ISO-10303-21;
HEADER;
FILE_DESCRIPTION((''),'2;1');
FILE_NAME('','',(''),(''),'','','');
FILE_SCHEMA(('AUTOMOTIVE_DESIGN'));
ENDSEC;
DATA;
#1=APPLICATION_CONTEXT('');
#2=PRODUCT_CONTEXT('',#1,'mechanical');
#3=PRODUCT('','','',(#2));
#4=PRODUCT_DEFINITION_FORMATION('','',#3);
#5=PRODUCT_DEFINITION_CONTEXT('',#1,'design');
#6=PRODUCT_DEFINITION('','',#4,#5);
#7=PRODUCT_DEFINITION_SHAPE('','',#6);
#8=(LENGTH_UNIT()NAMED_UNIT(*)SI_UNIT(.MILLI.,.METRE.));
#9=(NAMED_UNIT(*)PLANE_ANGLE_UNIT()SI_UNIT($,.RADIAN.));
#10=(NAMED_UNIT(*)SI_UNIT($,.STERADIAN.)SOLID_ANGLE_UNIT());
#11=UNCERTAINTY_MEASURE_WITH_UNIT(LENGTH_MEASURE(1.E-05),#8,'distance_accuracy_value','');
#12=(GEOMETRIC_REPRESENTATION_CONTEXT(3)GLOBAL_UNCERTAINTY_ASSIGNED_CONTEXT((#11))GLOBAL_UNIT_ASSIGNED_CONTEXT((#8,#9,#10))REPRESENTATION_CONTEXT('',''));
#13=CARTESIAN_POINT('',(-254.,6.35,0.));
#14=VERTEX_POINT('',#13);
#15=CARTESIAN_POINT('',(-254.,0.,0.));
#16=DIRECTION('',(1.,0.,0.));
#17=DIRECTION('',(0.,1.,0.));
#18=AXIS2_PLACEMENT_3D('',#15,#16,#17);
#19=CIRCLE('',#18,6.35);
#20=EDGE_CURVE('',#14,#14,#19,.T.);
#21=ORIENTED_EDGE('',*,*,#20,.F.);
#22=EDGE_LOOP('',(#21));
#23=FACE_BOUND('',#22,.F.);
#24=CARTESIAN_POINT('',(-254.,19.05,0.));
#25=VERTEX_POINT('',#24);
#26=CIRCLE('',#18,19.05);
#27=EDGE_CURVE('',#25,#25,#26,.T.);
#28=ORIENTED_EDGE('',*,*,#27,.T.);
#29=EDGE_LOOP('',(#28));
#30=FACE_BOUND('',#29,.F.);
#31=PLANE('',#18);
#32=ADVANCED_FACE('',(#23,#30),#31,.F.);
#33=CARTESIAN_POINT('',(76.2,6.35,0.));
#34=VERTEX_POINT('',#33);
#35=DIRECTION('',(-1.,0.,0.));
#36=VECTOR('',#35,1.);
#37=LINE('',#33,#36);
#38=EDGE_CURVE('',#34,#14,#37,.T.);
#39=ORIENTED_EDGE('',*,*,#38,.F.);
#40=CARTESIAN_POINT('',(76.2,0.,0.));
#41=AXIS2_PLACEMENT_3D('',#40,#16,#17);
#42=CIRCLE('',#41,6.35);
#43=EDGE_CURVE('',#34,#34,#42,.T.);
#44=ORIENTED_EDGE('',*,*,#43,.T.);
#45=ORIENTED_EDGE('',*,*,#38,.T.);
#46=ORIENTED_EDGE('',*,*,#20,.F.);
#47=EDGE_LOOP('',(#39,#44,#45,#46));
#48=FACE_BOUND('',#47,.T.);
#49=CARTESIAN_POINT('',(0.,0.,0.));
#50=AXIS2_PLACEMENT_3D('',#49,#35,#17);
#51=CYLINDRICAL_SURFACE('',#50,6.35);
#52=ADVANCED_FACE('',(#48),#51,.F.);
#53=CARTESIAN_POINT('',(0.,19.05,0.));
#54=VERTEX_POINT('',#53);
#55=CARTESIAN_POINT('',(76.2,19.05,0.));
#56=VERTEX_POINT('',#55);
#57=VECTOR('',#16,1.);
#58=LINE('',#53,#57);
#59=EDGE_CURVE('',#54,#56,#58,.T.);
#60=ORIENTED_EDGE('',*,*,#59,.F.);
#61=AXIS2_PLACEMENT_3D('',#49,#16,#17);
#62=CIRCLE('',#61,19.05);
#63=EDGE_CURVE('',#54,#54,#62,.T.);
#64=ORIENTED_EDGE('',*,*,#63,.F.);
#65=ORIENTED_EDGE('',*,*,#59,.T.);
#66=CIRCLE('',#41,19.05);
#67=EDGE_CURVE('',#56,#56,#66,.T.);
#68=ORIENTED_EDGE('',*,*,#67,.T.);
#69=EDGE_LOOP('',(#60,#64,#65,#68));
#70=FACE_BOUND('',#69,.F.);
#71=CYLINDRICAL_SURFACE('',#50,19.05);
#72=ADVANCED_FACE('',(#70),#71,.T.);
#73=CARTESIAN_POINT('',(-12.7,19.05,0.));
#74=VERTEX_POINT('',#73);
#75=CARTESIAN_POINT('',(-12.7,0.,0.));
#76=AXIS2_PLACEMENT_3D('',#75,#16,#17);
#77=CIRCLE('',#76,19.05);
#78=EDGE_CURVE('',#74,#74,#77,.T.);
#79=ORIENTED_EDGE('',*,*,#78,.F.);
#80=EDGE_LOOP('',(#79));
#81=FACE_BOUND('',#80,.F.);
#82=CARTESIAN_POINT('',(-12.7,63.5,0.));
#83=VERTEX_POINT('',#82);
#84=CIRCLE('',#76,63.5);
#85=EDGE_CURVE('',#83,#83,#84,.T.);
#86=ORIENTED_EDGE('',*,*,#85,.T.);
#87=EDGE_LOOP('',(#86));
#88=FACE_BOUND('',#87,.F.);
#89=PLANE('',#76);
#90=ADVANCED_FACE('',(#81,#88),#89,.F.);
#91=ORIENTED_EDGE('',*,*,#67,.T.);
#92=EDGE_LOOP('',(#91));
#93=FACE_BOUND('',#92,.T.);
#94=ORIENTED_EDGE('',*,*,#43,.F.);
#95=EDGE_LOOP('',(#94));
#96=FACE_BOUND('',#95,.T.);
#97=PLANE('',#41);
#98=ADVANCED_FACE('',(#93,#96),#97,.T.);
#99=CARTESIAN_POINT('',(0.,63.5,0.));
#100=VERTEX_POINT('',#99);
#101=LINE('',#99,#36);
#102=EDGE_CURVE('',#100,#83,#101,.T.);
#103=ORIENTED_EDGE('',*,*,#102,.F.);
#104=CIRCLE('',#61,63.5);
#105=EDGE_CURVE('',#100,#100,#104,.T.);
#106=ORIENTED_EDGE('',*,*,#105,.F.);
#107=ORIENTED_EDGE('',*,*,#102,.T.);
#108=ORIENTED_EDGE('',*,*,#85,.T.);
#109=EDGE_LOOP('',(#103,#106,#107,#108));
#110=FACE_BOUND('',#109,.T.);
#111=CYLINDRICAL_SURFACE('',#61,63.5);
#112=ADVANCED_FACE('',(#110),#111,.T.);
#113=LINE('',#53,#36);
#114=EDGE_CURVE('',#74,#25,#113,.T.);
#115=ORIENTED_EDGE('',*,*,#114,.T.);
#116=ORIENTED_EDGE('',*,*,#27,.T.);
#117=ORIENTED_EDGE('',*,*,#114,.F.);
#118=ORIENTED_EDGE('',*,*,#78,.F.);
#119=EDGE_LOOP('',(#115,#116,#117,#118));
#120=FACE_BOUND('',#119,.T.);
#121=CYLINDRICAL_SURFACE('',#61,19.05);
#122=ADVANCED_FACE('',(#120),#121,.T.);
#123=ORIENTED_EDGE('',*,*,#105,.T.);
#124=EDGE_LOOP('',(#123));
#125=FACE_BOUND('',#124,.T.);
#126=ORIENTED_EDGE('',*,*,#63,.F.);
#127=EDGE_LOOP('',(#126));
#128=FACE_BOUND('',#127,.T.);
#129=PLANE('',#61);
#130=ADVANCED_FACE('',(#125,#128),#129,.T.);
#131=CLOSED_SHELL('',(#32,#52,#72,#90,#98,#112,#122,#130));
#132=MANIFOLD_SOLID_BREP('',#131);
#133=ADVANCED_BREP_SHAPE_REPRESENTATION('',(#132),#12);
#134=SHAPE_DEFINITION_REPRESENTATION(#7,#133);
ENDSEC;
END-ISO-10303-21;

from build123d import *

# Parameters (mm, degrees)
F0_R          = 19.05
F0_R_2        = 6.35
F1_DEPTH      = 254
F1_DEPTH_BACK = 76.2
F0_R_3        = 63.5
F2_DEPTH      = 12.7


with BuildPart() as f1:
    # F0 (on Right) → F1 (new body, two sides)
    with BuildSketch(Plane.YZ) as f1_sk:
        Circle(F0_R)
        Circle(F0_R_2, mode=Mode.SUBTRACT)
    extrude(amount=-F1_DEPTH)
    extrude(f1_sk.sketch, amount=F1_DEPTH_BACK)

    # F0 (on Right) → F2 (join)
    with BuildSketch(Plane.YZ):
        Circle(F0_R_3)
        Circle(F0_R, mode=Mode.SUBTRACT)
    extrude(amount=-F2_DEPTH)


solid = f1.part
